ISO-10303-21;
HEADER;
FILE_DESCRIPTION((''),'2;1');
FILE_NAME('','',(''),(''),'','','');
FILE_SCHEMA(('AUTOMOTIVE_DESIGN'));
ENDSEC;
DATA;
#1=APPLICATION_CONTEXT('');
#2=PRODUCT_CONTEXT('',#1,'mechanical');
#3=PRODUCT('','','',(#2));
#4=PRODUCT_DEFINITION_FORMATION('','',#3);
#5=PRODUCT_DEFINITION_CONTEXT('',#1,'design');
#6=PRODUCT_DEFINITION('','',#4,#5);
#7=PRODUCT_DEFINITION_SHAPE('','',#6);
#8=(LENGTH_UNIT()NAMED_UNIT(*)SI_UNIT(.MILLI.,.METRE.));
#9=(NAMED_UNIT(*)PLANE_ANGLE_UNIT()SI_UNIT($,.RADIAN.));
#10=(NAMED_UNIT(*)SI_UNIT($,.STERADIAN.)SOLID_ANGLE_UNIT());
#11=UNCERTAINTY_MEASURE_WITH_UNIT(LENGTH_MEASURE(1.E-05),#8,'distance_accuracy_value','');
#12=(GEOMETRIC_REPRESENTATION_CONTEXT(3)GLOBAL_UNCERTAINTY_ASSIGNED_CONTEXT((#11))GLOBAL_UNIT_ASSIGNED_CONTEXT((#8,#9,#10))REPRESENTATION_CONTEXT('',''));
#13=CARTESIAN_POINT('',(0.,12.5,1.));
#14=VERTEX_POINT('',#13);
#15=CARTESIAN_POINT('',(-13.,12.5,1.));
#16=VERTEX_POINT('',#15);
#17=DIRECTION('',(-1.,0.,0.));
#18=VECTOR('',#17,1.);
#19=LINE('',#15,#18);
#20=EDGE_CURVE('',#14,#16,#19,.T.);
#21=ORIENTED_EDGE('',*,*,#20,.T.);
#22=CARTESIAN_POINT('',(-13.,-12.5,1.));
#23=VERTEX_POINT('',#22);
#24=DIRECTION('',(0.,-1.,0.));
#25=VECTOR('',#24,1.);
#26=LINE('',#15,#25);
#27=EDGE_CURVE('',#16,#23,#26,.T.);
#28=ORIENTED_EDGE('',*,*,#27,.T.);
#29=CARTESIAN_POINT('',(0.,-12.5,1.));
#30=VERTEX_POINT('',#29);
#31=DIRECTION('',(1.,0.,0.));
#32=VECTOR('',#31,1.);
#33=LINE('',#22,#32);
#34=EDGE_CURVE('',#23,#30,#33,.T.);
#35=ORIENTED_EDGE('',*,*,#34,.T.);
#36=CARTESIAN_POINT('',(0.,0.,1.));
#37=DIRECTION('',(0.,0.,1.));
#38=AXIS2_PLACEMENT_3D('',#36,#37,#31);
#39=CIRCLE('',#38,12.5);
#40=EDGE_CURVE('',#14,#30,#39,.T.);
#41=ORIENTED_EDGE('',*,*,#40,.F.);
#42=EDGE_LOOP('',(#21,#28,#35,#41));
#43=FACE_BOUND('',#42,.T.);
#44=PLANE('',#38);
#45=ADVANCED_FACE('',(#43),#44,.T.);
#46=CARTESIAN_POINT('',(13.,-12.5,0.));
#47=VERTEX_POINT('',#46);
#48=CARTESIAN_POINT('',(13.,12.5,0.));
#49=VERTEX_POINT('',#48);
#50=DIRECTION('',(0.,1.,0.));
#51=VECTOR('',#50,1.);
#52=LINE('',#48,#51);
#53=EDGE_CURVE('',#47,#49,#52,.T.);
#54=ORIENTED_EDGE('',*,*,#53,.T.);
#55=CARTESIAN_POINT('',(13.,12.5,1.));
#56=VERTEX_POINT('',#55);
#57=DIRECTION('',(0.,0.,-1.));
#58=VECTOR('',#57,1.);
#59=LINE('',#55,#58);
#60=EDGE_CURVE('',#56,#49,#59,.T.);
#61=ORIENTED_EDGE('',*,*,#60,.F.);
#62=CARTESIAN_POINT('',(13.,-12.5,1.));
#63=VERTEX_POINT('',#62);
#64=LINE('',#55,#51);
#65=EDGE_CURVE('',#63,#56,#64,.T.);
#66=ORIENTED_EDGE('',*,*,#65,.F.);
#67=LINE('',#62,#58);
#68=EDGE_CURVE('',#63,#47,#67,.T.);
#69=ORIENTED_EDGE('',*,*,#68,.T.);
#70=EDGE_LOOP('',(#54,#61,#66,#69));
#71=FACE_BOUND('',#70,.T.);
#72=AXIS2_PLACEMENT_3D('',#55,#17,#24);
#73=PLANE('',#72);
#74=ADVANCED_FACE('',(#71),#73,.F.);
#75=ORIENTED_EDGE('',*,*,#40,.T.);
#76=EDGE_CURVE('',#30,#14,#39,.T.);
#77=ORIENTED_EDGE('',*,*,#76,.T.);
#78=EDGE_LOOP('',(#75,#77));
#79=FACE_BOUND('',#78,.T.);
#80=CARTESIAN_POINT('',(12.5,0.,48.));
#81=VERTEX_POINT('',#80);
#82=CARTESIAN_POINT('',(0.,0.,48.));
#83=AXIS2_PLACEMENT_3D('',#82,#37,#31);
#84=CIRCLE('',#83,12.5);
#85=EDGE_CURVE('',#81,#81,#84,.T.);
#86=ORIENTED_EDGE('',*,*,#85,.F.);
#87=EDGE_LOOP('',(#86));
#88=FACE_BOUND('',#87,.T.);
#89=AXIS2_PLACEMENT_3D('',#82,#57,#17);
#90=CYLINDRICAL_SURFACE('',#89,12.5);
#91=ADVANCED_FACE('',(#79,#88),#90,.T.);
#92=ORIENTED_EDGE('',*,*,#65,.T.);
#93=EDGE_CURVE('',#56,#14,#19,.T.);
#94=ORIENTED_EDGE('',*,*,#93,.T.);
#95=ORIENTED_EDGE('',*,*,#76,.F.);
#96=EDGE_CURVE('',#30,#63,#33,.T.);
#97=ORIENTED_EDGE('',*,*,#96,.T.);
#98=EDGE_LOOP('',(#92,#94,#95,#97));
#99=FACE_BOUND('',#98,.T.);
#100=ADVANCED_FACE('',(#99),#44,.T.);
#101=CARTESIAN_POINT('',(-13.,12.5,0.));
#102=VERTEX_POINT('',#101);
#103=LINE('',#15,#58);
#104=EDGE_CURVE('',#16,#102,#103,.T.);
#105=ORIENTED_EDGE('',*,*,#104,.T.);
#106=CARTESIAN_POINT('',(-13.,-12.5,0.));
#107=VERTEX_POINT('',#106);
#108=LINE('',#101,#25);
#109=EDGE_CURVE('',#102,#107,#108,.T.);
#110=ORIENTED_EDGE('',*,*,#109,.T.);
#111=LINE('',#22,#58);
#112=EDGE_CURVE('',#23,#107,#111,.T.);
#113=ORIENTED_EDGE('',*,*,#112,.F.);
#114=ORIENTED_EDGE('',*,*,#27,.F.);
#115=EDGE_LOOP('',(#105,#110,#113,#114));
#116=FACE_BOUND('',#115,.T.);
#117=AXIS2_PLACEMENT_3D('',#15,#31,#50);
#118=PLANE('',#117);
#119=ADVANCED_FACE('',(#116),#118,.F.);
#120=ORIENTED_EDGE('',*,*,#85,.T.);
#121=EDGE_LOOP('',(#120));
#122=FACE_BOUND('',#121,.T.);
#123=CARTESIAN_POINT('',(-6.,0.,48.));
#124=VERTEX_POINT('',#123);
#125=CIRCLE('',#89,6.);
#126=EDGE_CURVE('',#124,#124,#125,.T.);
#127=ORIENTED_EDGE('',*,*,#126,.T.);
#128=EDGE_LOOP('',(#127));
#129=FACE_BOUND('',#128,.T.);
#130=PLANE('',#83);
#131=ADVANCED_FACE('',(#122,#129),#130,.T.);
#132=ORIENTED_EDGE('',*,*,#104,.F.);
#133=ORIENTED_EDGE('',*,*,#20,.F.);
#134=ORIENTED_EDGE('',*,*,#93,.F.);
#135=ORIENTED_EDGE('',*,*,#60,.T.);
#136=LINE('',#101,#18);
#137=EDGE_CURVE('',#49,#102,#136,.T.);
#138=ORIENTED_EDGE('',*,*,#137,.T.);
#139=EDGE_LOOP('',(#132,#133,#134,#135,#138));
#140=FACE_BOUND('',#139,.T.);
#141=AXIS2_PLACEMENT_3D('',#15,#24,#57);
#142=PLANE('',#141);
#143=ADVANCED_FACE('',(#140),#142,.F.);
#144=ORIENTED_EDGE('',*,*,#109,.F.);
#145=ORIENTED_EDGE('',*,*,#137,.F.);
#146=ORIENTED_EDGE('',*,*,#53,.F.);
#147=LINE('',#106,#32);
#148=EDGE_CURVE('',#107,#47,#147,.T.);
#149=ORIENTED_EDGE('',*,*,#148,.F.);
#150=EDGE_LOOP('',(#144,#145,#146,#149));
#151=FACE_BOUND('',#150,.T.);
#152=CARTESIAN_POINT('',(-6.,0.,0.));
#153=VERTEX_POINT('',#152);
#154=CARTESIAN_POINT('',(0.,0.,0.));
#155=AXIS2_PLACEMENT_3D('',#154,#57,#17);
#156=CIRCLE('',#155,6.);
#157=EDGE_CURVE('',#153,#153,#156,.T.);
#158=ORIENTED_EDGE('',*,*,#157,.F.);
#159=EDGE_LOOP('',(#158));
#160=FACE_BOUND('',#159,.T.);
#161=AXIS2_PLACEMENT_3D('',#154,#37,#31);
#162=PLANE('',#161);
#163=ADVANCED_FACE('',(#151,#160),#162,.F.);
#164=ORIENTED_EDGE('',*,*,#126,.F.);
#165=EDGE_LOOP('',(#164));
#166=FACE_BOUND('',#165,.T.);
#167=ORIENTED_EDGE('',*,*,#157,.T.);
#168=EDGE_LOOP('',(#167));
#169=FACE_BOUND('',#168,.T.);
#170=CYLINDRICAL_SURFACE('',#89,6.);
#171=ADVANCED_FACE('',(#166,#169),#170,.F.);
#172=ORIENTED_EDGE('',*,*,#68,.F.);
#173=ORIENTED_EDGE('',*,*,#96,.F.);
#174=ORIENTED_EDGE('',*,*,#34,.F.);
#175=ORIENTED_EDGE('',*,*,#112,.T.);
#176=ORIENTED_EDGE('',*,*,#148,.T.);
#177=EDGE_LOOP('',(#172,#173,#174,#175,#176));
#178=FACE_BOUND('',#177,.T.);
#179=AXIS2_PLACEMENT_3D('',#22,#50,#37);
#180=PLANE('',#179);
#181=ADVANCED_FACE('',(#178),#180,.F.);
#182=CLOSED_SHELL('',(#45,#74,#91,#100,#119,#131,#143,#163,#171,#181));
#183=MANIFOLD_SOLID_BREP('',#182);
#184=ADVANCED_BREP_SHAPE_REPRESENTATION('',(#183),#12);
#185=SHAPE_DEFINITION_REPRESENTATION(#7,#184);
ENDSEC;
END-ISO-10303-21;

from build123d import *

# Parameters (mm, degrees)
SKETCH1_W           = 26
SKETCH1_H           = 25
BOSS_EXTRUDE1_DEPTH = 1
SKETCH2_R           = 12.5
BOSS_EXTRUDE2_DEPTH = 47
SKETCH3_R           = 6
CUT_EXTRUDE1_DEPTH  = 52.276212809


with BuildPart() as part:
    # Sketch1 → Boss-Extrude1 (new body)
    with BuildSketch(Plane.XY):
        Rectangle(SKETCH1_W, SKETCH1_H)
    extrude(amount=BOSS_EXTRUDE1_DEPTH)

    # Sketch2 → Boss-Extrude2 (add)
    with BuildSketch(Plane.XY.offset(1)):
        with Locations(Location((0, 0, 0), (0, 0, 270))):
            Circle(SKETCH2_R)
    extrude(amount=BOSS_EXTRUDE2_DEPTH)

    # Sketch3 → Cut-Extrude1 (cut, through all)
    with BuildSketch(Plane(origin=(0, 0, 0), x_dir=(-1, 0, 0), z_dir=(0, 0, -1))):
        Circle(SKETCH3_R)
    extrude(amount=-CUT_EXTRUDE1_DEPTH, mode=Mode.SUBTRACT)


solid = part.part
